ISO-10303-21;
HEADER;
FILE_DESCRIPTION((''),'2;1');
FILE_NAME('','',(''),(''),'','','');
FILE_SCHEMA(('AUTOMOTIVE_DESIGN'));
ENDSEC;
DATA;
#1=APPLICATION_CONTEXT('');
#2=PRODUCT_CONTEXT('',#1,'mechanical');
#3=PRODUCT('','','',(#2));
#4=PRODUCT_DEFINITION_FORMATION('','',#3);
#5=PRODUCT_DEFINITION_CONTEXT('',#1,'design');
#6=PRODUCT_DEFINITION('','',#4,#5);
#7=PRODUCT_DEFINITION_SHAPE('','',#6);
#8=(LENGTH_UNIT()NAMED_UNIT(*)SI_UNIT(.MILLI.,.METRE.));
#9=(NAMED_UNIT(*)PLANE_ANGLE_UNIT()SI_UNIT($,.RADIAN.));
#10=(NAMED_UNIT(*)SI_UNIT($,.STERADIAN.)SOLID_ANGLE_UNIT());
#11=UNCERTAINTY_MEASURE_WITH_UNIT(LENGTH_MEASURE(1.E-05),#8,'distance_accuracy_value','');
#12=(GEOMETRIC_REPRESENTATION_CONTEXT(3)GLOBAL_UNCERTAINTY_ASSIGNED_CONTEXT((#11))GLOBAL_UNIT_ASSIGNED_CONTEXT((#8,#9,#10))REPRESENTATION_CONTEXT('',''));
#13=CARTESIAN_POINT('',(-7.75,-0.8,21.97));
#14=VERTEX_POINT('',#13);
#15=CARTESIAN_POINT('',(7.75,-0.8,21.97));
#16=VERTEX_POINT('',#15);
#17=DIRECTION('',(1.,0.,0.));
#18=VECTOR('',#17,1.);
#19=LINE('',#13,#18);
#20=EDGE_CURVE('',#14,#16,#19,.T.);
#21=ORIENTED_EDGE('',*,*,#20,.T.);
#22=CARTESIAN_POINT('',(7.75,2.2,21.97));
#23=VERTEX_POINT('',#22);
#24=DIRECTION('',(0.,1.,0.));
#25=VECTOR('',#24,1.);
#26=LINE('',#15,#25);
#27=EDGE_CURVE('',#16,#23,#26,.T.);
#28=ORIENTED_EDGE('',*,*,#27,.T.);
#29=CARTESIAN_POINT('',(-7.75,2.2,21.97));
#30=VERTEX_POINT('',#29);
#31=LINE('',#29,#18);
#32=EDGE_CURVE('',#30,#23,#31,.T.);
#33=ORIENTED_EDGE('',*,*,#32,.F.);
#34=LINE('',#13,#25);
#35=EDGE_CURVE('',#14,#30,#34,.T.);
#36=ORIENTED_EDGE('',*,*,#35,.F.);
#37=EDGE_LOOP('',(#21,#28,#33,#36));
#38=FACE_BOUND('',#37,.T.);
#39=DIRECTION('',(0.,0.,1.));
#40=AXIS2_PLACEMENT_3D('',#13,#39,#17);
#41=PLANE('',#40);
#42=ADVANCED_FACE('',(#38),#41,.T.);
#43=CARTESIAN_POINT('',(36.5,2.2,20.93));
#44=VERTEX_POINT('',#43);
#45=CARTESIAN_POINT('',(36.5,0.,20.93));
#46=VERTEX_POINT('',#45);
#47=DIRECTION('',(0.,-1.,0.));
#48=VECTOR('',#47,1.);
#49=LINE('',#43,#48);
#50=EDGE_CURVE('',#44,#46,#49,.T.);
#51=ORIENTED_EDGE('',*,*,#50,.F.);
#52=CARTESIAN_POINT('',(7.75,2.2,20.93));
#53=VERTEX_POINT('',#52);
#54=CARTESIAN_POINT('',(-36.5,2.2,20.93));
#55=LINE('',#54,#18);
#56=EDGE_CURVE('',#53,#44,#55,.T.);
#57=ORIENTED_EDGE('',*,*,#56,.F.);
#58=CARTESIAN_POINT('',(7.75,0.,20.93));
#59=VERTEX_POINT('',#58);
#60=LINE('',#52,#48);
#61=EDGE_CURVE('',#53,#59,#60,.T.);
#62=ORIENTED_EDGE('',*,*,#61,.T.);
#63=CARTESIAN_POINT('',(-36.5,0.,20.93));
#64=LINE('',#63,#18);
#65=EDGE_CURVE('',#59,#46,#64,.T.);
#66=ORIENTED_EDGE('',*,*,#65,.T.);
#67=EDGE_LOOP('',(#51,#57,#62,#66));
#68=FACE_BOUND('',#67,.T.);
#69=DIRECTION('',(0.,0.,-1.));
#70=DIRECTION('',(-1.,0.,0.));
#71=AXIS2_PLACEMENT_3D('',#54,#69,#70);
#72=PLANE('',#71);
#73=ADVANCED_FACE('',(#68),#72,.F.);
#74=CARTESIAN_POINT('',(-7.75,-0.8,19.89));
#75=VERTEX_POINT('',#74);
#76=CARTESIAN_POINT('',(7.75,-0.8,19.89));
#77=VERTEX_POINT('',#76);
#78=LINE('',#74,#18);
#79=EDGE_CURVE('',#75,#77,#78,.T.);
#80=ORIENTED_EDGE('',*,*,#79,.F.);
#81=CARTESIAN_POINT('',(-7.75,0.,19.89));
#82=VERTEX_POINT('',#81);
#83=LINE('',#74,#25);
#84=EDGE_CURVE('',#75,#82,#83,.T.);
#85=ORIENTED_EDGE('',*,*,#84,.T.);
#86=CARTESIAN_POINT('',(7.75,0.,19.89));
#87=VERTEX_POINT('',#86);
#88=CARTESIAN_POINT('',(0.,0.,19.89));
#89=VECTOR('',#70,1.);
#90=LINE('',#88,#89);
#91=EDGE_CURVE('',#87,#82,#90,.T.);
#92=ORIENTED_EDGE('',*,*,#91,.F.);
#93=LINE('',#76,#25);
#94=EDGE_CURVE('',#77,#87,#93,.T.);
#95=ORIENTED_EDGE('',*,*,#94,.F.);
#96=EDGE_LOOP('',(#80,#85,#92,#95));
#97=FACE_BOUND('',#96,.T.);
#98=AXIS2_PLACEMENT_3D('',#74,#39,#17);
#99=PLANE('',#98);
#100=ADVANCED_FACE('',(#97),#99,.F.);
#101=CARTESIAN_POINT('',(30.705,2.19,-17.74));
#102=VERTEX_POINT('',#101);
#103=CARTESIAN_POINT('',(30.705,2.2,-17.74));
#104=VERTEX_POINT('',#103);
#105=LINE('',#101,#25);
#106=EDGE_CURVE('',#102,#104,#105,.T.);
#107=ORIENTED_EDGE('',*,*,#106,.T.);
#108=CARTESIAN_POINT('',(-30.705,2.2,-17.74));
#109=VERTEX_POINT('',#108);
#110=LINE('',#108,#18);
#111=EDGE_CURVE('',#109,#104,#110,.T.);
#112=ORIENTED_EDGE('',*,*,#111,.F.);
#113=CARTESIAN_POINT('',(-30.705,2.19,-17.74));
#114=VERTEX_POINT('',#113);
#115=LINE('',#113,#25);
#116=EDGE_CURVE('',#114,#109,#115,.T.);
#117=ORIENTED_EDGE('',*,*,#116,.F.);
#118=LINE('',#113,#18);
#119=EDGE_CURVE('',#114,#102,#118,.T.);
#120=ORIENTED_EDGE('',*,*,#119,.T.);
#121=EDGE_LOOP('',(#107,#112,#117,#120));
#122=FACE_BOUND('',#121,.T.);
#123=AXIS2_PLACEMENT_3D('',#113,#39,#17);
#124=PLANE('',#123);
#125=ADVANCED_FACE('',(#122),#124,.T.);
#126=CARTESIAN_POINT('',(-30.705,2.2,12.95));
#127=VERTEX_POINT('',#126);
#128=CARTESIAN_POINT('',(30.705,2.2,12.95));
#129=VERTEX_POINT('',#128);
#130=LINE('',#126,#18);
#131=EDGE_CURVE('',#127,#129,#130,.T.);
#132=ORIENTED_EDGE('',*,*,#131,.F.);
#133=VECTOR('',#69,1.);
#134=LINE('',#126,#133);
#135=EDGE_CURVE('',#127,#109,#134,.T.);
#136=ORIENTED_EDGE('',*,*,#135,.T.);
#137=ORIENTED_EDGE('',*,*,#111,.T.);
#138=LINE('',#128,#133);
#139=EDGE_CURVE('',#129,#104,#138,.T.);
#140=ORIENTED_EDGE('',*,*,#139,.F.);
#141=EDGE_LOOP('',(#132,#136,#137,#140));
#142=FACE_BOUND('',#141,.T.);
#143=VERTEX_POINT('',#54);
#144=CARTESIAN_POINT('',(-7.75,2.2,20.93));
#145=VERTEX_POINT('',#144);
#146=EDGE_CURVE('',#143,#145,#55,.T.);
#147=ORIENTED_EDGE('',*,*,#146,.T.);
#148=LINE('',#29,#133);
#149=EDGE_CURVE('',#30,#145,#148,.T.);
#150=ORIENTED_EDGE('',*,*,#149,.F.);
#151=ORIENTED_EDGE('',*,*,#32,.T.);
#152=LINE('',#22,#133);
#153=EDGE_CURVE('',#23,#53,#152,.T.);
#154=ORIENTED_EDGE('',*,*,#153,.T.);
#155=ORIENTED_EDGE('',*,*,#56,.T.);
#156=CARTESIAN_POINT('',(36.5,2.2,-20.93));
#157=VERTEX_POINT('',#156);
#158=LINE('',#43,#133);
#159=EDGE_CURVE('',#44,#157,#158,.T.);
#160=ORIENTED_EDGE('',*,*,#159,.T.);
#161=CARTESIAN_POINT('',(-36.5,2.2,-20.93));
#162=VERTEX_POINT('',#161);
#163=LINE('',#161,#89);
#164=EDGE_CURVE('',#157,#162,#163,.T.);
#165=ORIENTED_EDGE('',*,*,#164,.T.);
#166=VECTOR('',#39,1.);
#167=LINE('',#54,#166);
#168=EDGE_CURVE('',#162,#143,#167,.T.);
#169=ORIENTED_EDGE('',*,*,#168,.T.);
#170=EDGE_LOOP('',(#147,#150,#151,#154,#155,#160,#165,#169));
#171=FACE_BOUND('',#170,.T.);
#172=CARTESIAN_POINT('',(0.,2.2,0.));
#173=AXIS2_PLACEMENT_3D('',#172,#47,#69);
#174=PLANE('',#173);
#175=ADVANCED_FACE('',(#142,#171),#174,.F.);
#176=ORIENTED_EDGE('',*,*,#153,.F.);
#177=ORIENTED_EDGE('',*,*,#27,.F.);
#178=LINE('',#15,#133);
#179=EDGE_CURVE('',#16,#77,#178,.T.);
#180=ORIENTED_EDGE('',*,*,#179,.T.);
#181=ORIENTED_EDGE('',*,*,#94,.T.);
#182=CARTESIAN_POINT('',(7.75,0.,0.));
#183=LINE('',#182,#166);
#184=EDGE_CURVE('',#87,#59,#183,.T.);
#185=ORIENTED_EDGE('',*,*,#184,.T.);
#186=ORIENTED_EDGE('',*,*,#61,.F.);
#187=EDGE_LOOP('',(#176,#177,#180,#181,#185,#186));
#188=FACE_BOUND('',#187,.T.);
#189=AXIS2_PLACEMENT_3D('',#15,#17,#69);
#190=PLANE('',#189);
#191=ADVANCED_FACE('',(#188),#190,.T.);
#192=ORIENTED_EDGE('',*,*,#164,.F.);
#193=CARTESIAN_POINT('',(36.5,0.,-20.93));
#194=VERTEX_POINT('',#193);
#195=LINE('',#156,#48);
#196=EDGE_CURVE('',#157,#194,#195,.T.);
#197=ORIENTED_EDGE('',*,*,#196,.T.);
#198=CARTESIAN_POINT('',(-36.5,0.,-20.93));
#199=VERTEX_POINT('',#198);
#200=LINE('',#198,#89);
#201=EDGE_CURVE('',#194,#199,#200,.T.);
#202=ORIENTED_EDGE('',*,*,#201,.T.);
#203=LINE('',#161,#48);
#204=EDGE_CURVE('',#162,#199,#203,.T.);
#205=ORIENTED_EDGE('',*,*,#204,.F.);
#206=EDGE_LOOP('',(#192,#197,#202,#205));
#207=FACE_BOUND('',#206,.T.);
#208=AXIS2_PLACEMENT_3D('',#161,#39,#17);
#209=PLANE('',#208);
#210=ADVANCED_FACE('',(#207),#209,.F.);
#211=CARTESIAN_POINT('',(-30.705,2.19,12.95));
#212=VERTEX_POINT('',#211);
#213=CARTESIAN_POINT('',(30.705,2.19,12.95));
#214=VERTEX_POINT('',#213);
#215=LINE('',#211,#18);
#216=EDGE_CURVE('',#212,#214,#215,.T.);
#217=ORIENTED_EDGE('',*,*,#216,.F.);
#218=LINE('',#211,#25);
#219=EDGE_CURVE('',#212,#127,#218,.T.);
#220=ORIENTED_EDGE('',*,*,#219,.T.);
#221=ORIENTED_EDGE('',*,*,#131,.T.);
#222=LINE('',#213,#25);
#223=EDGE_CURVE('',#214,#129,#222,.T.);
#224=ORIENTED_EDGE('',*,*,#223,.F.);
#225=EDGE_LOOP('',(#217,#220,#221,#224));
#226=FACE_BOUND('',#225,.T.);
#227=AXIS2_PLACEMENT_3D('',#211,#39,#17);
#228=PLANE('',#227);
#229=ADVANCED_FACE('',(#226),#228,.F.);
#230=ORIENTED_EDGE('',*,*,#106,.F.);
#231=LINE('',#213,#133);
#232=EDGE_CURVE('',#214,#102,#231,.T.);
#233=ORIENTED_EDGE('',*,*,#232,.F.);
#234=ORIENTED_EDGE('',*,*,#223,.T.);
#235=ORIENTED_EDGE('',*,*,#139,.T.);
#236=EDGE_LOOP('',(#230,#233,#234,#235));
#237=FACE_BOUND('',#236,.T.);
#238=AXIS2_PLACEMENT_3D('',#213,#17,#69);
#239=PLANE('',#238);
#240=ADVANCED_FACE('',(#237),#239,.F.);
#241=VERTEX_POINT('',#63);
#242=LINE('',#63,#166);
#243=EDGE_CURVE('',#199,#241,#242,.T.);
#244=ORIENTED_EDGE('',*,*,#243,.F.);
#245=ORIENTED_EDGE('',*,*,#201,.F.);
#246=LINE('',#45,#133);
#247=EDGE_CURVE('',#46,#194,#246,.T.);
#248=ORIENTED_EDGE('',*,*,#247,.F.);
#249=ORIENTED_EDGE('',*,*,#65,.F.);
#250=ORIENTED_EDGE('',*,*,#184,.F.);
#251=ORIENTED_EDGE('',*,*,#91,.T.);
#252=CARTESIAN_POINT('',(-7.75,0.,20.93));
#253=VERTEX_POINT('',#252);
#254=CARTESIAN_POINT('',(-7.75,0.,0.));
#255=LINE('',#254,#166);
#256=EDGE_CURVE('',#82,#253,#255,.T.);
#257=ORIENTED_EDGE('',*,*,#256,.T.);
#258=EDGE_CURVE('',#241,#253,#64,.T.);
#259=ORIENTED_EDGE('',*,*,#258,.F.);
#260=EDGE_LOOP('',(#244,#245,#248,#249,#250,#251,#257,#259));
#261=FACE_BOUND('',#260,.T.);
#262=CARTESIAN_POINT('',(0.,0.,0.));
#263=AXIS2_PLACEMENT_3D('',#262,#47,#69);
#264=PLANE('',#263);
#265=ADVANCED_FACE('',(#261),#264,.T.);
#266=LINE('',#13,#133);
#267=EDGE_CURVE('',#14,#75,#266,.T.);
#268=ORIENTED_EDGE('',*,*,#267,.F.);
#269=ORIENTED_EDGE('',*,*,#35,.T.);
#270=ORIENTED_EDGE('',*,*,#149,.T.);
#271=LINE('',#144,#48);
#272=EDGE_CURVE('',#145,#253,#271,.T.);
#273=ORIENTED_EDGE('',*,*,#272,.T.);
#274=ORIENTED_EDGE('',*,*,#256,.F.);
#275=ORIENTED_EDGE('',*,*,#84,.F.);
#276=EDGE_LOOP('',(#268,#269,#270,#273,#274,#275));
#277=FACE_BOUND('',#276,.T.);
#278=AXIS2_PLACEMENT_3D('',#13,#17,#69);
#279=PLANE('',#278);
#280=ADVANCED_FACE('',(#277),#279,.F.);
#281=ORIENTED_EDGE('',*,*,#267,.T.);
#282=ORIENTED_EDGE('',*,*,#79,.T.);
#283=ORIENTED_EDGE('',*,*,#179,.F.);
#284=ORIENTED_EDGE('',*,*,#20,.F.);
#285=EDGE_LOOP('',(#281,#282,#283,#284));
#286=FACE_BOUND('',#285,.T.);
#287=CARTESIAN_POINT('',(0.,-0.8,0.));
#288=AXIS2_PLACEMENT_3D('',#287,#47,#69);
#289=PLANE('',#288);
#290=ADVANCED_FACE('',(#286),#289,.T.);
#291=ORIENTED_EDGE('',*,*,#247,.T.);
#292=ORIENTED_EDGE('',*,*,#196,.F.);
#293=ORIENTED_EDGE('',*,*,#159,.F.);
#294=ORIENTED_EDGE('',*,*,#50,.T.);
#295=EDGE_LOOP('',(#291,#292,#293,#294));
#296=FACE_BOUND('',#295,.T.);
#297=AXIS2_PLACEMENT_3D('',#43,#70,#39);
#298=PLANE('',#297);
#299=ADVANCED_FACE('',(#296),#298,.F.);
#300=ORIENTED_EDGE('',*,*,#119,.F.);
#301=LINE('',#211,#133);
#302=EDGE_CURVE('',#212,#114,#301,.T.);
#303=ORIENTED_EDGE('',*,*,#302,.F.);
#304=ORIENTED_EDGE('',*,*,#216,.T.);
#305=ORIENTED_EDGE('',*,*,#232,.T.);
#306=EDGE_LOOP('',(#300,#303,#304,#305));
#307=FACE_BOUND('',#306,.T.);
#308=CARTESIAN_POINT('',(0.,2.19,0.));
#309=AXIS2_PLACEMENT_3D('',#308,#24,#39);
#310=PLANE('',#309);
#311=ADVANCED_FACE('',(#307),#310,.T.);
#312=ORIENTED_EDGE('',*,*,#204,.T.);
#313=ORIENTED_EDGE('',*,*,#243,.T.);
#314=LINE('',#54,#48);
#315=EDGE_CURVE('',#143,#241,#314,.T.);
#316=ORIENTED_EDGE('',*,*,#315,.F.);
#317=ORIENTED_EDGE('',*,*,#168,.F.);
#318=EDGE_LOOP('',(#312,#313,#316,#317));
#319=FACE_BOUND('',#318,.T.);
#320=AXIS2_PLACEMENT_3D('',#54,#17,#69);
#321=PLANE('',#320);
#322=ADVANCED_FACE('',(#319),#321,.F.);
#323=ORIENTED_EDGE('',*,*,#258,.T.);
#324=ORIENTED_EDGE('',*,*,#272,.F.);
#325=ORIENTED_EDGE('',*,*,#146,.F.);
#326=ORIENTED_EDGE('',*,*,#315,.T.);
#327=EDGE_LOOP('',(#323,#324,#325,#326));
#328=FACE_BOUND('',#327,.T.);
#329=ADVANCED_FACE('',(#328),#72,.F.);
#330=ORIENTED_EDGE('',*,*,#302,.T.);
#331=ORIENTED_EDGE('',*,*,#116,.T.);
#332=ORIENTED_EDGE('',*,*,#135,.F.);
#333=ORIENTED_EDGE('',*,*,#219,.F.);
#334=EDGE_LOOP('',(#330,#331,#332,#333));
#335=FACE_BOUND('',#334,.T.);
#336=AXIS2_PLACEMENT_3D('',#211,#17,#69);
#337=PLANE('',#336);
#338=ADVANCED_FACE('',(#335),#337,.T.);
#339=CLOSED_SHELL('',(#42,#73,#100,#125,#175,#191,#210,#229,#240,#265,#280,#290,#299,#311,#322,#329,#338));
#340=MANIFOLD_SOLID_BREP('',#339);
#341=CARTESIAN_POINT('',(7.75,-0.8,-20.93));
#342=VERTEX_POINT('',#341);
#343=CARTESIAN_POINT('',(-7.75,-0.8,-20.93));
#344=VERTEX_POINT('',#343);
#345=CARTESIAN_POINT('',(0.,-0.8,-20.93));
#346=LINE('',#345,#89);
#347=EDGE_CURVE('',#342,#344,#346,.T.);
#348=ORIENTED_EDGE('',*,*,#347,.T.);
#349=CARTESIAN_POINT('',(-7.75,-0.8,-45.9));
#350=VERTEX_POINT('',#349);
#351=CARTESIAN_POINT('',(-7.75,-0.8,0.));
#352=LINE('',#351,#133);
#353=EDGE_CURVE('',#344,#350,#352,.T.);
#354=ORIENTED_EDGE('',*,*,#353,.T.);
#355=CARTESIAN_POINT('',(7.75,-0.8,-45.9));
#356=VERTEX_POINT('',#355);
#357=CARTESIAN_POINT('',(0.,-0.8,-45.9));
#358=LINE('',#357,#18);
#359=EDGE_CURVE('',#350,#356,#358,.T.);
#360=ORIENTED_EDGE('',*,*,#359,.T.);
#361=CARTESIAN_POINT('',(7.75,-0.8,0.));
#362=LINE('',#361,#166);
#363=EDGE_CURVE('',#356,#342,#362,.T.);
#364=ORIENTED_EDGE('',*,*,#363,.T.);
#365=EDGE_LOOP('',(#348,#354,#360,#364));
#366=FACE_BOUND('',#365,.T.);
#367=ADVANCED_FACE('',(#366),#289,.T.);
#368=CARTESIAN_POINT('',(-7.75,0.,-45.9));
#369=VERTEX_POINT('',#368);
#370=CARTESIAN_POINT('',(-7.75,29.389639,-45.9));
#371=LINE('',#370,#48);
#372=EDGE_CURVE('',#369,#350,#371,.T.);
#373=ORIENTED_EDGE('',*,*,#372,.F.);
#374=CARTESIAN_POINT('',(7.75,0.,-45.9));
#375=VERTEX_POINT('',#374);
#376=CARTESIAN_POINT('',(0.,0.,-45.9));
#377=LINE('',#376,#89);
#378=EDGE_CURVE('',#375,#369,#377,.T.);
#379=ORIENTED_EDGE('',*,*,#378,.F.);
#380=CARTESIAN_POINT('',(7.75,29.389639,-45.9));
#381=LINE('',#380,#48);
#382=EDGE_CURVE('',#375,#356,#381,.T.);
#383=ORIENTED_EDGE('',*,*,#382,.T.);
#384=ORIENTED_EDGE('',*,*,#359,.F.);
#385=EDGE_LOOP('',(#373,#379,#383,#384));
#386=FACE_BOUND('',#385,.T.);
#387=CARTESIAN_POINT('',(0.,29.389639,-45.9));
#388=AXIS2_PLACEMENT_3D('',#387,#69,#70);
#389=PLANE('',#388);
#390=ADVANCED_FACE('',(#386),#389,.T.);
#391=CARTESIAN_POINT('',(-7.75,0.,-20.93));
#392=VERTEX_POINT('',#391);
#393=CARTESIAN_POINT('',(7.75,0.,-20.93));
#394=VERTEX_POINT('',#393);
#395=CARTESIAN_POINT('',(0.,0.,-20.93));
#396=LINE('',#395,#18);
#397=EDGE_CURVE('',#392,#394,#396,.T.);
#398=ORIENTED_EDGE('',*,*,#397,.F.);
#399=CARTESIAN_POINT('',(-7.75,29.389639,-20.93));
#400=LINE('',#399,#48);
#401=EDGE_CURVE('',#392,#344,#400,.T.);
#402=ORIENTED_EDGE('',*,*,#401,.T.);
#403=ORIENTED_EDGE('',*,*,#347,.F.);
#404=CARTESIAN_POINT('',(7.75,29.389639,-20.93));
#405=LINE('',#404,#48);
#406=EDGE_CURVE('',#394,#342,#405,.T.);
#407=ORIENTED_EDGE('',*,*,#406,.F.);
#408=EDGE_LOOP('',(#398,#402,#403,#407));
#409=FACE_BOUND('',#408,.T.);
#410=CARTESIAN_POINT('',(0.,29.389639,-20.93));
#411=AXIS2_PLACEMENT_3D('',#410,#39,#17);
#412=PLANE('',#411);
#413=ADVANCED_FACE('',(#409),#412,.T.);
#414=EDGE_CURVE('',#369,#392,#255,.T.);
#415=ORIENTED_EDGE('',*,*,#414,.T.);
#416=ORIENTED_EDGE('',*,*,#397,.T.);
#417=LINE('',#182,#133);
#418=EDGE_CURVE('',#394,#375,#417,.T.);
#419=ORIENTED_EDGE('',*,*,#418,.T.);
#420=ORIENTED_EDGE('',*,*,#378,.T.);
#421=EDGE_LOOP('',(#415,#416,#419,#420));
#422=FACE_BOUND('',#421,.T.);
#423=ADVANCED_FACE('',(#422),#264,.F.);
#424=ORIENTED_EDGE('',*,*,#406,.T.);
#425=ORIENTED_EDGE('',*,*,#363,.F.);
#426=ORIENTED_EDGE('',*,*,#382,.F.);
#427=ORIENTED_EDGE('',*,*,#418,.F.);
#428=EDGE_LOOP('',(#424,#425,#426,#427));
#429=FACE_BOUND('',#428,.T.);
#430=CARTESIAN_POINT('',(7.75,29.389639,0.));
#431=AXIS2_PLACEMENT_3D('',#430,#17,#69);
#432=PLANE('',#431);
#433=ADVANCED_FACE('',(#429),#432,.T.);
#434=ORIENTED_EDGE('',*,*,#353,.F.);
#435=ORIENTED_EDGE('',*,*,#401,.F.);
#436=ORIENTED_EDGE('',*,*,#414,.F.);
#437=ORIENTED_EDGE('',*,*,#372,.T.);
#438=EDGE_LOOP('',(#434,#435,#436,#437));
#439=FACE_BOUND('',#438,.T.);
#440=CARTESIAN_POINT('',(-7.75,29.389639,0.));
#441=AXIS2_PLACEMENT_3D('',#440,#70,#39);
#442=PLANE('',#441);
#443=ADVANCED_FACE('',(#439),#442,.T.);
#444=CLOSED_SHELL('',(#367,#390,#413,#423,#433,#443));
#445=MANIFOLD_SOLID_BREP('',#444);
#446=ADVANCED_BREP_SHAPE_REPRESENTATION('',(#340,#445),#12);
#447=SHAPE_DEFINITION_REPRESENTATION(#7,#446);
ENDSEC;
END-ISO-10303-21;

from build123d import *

# Parameters (mm, degrees)
SKETCH_1_W          = 73
SKETCH_1_H          = 41.86
EXTRUDE_1_DEPTH     = 2.2
SKETCH_2_W          = 61.41
SKETCH_2_H          = 30.69
CUT_EXTRUDE_1_DEPTH = 0.01
SKETCH_3_W          = 15.5
SKETCH_3_H          = 2.08
EXTRUDE_2_DEPTH     = 3
EXTRUDE_START       = -3
SKETCH_3_3_W        = 15.5
SKETCH_3_3_H        = 24.97
SKETCH_3_3_H_2      = 2.08
EXTRUDE_3_DEPTH     = 0.8


with BuildPart() as part:
    # 草图1 → 凸台-拉伸1 (new body)
    with BuildSketch(Plane(origin=(0, 0, 0), x_dir=(1, 0, 0), z_dir=(0, 1, 0))):
        Rectangle(SKETCH_1_W, SKETCH_1_H)
    extrude(amount=EXTRUDE_1_DEPTH)

    # 草图2 → 切除-拉伸1 (cut)
    with BuildSketch(Plane(origin=(0, 2.2, 0), x_dir=(1, 0, 0), z_dir=(0, 1, 0))):
        with Locations((0, 2.395)):
            Rectangle(SKETCH_2_W, SKETCH_2_H)
    extrude(amount=-CUT_EXTRUDE_1_DEPTH, mode=Mode.SUBTRACT)

    # 草图3 → 凸台-拉伸2 (add)
    with BuildSketch(Plane(origin=(0, 2.2, 0), x_dir=(1, 0, 0), z_dir=(0, 1, 0))):
        with Locations((0, -20.93)):
            Rectangle(SKETCH_3_W, SKETCH_3_H)
    extrude(amount=-EXTRUDE_2_DEPTH)

    # 草图3<3> → 凸台-拉伸3 (add)
    with BuildSketch(Plane(origin=(0, 2.2, 0), x_dir=(1, 0, 0), z_dir=(0, 1, 0)).offset(EXTRUDE_START)):
        with Locations((0, 33.415)):
            Rectangle(SKETCH_3_3_W, SKETCH_3_3_H)
        with Locations((0, -20.93)):
            Rectangle(SKETCH_3_3_W, SKETCH_3_3_H_2)
    extrude(amount=EXTRUDE_3_DEPTH)


with BuildPart() as extrude_3_piece_1:
    # of the separate pieces the step leaves, piece 1, a body of its own (extrude_3_pieces)
    add(part.part.solids().sort_by_distance((-36.5, 0, 20.93))[0])


with BuildPart() as extrude_3_piece_2:
    # of the separate pieces the step leaves, piece 2, a body of its own (extrude_3_pieces)
    add(part.part.solids().sort_by_distance((-7.75, -0.8, -20.93))[0])


solid = Compound([extrude_3_piece_1.part, extrude_3_piece_2.part])
